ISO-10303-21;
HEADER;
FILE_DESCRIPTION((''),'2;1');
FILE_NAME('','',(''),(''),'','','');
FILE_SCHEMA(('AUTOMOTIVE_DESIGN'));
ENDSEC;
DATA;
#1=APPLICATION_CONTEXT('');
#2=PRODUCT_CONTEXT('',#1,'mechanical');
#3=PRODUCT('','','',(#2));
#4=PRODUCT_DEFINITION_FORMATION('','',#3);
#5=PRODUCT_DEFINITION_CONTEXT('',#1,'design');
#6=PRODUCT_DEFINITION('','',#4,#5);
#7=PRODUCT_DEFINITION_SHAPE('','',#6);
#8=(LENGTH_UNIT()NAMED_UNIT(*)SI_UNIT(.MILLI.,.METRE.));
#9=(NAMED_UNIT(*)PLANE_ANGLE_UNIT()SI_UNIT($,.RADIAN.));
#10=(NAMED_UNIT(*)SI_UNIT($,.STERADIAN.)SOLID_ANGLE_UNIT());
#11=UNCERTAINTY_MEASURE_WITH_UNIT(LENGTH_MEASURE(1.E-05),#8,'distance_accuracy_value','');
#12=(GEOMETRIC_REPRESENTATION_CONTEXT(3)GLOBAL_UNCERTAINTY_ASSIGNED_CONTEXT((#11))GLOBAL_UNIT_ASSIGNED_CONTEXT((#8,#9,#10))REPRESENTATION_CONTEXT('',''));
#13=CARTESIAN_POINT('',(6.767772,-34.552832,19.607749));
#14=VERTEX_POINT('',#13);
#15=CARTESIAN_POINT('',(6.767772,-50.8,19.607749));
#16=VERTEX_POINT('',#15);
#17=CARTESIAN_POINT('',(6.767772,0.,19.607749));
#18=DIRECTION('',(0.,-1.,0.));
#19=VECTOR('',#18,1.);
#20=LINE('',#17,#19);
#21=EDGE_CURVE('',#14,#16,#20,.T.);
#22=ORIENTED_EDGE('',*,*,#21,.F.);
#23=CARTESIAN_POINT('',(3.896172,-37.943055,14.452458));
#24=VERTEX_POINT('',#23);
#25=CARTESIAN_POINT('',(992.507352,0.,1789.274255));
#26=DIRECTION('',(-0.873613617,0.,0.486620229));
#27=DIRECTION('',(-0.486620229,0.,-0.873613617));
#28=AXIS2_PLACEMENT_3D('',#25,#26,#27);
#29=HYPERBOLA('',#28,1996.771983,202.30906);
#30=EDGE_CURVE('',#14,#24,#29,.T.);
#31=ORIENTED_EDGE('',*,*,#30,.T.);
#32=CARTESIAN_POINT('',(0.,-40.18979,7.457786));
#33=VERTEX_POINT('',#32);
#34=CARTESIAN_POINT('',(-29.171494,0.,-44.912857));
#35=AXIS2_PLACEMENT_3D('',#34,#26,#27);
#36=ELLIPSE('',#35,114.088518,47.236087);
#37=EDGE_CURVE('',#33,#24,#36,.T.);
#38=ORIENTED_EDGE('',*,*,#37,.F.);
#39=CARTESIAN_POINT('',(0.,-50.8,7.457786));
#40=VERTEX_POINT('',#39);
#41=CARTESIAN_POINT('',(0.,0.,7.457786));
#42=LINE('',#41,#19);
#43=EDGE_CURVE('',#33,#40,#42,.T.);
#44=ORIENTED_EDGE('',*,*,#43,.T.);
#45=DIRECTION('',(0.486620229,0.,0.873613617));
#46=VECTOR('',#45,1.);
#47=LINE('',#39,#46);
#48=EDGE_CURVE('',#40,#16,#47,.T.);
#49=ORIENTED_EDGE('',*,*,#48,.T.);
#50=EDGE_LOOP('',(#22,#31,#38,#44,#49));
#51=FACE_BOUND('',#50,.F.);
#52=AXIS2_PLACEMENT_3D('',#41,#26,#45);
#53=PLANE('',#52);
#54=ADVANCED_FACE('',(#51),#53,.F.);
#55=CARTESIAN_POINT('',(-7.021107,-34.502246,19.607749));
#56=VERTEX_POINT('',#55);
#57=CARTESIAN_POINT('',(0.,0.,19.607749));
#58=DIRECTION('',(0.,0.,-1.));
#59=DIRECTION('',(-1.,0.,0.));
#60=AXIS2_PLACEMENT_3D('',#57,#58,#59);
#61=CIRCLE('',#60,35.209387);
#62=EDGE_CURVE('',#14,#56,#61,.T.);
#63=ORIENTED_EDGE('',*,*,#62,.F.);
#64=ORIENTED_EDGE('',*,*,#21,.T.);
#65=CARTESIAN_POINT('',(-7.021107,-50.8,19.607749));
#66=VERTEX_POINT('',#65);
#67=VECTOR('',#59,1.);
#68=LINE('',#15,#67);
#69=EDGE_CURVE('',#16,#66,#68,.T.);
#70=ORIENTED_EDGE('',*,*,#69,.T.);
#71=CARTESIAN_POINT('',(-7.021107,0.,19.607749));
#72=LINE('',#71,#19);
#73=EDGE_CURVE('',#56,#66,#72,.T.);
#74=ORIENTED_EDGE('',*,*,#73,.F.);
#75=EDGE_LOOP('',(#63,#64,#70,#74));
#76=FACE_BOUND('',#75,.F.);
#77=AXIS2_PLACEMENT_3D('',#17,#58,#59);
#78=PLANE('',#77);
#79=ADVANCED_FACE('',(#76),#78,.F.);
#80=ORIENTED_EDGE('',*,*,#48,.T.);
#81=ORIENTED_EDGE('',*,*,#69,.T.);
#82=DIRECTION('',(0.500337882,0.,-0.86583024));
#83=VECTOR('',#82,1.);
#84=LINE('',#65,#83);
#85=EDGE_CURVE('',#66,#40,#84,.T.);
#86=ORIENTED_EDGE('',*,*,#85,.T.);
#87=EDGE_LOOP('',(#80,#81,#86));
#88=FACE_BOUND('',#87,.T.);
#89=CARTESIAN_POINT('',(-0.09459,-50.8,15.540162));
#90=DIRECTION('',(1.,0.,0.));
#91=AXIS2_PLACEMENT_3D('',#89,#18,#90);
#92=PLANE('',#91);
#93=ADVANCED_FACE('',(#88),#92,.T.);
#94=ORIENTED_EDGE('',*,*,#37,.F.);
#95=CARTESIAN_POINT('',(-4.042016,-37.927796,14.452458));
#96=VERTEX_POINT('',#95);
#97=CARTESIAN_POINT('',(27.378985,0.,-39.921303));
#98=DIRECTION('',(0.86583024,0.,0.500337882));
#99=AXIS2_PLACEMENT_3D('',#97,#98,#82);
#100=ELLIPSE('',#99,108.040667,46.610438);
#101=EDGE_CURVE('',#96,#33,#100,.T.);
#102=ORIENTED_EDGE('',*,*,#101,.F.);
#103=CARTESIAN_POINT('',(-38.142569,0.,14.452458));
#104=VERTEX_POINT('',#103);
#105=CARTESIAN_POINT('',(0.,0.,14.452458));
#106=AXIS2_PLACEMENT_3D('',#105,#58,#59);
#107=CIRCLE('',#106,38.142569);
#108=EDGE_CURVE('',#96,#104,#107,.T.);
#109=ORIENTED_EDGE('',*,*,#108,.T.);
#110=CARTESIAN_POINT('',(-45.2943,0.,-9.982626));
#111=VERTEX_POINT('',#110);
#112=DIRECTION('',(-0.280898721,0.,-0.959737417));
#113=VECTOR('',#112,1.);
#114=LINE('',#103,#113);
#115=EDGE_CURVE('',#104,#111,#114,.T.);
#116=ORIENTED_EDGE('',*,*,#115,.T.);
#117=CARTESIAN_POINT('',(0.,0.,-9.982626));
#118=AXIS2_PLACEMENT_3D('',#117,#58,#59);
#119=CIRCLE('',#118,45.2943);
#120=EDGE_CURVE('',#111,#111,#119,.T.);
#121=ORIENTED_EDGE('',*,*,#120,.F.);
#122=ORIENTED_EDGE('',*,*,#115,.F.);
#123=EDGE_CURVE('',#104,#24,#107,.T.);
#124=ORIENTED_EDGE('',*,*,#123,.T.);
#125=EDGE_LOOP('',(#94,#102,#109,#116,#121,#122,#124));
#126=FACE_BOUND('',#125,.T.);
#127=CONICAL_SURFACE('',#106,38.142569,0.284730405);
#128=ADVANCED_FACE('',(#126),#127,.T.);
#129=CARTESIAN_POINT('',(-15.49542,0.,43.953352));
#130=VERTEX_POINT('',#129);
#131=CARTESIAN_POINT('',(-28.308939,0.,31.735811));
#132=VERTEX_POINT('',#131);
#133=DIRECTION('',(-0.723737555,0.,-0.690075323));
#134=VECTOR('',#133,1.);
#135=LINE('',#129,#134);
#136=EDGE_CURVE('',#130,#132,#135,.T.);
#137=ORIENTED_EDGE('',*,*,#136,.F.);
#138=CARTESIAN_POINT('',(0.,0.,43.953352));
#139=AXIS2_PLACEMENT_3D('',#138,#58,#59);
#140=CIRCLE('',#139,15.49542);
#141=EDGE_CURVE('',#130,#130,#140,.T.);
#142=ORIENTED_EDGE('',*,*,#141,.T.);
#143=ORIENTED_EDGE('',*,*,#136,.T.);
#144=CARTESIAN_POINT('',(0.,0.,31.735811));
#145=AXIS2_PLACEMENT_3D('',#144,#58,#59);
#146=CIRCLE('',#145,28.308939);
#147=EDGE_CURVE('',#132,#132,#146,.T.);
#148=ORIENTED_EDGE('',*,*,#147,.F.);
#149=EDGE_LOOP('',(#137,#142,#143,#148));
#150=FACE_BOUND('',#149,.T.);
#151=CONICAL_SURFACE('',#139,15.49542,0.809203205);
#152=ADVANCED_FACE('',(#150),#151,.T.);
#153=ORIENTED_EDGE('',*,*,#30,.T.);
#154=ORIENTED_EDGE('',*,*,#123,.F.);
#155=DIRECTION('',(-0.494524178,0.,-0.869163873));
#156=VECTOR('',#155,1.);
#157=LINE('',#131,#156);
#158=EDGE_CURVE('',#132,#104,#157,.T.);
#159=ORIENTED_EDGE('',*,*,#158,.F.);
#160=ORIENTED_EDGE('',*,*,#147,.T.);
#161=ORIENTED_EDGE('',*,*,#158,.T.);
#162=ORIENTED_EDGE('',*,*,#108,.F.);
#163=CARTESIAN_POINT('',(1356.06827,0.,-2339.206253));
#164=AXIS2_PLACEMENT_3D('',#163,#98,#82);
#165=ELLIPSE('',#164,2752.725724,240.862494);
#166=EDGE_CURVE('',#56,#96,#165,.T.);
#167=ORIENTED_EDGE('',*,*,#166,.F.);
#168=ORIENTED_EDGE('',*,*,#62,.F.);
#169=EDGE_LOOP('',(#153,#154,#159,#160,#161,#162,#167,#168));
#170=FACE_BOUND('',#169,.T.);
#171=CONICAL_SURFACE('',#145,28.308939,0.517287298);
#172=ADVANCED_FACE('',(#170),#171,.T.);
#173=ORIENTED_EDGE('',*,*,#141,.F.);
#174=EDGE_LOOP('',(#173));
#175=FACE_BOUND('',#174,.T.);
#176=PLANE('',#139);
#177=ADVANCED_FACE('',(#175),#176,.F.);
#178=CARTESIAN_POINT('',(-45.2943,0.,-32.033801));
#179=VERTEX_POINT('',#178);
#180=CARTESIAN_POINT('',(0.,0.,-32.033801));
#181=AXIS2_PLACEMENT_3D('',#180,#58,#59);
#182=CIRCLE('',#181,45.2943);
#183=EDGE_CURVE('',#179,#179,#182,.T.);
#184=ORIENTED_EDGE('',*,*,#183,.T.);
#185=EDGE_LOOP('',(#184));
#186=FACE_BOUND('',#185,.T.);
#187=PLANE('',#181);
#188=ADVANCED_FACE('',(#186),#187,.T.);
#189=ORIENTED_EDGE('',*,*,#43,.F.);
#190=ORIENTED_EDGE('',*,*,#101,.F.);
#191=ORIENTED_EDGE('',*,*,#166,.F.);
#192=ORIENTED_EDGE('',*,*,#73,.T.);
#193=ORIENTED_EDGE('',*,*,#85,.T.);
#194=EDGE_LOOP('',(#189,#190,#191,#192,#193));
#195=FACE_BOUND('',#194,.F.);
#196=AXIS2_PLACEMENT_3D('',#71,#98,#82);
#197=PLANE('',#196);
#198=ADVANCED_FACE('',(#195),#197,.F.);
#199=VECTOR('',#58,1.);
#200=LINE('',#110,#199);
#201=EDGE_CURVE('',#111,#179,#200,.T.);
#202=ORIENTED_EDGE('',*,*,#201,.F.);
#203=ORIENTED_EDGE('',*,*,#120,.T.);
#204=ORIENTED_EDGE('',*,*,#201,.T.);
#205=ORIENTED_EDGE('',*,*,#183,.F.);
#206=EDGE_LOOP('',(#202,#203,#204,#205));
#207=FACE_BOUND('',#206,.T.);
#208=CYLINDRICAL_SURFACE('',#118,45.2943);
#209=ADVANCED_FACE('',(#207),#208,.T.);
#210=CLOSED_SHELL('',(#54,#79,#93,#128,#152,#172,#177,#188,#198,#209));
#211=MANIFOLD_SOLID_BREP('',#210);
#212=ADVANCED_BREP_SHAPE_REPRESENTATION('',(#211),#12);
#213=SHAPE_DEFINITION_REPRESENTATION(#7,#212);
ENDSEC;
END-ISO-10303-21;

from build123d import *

# Parameters (mm, degrees)
F3_DEPTH = 50.8


with BuildPart() as f1:
    # F0 (on Front) → F1 (revolve)
    with BuildSketch(Plane.XZ):
        Polygon((-45.2943, -32.033801), (0, -32.033801), (0, 43.953352), (-15.49542, 43.953352), (-28.308939, 31.735811), (-38.142569, 14.452458), (-45.2943, -9.982626), align=None)
    revolve(axis=Axis((0, 0, 5.959775), (0, 0, -1)))

    # F2 (on Front) → F3 (join)
    with BuildSketch(Plane.XZ):
        Polygon((6.767772, 19.607749), (-7.021107, 19.607749), (0, 7.457786), align=None)
    extrude(amount=F3_DEPTH)


solid = f1.part
